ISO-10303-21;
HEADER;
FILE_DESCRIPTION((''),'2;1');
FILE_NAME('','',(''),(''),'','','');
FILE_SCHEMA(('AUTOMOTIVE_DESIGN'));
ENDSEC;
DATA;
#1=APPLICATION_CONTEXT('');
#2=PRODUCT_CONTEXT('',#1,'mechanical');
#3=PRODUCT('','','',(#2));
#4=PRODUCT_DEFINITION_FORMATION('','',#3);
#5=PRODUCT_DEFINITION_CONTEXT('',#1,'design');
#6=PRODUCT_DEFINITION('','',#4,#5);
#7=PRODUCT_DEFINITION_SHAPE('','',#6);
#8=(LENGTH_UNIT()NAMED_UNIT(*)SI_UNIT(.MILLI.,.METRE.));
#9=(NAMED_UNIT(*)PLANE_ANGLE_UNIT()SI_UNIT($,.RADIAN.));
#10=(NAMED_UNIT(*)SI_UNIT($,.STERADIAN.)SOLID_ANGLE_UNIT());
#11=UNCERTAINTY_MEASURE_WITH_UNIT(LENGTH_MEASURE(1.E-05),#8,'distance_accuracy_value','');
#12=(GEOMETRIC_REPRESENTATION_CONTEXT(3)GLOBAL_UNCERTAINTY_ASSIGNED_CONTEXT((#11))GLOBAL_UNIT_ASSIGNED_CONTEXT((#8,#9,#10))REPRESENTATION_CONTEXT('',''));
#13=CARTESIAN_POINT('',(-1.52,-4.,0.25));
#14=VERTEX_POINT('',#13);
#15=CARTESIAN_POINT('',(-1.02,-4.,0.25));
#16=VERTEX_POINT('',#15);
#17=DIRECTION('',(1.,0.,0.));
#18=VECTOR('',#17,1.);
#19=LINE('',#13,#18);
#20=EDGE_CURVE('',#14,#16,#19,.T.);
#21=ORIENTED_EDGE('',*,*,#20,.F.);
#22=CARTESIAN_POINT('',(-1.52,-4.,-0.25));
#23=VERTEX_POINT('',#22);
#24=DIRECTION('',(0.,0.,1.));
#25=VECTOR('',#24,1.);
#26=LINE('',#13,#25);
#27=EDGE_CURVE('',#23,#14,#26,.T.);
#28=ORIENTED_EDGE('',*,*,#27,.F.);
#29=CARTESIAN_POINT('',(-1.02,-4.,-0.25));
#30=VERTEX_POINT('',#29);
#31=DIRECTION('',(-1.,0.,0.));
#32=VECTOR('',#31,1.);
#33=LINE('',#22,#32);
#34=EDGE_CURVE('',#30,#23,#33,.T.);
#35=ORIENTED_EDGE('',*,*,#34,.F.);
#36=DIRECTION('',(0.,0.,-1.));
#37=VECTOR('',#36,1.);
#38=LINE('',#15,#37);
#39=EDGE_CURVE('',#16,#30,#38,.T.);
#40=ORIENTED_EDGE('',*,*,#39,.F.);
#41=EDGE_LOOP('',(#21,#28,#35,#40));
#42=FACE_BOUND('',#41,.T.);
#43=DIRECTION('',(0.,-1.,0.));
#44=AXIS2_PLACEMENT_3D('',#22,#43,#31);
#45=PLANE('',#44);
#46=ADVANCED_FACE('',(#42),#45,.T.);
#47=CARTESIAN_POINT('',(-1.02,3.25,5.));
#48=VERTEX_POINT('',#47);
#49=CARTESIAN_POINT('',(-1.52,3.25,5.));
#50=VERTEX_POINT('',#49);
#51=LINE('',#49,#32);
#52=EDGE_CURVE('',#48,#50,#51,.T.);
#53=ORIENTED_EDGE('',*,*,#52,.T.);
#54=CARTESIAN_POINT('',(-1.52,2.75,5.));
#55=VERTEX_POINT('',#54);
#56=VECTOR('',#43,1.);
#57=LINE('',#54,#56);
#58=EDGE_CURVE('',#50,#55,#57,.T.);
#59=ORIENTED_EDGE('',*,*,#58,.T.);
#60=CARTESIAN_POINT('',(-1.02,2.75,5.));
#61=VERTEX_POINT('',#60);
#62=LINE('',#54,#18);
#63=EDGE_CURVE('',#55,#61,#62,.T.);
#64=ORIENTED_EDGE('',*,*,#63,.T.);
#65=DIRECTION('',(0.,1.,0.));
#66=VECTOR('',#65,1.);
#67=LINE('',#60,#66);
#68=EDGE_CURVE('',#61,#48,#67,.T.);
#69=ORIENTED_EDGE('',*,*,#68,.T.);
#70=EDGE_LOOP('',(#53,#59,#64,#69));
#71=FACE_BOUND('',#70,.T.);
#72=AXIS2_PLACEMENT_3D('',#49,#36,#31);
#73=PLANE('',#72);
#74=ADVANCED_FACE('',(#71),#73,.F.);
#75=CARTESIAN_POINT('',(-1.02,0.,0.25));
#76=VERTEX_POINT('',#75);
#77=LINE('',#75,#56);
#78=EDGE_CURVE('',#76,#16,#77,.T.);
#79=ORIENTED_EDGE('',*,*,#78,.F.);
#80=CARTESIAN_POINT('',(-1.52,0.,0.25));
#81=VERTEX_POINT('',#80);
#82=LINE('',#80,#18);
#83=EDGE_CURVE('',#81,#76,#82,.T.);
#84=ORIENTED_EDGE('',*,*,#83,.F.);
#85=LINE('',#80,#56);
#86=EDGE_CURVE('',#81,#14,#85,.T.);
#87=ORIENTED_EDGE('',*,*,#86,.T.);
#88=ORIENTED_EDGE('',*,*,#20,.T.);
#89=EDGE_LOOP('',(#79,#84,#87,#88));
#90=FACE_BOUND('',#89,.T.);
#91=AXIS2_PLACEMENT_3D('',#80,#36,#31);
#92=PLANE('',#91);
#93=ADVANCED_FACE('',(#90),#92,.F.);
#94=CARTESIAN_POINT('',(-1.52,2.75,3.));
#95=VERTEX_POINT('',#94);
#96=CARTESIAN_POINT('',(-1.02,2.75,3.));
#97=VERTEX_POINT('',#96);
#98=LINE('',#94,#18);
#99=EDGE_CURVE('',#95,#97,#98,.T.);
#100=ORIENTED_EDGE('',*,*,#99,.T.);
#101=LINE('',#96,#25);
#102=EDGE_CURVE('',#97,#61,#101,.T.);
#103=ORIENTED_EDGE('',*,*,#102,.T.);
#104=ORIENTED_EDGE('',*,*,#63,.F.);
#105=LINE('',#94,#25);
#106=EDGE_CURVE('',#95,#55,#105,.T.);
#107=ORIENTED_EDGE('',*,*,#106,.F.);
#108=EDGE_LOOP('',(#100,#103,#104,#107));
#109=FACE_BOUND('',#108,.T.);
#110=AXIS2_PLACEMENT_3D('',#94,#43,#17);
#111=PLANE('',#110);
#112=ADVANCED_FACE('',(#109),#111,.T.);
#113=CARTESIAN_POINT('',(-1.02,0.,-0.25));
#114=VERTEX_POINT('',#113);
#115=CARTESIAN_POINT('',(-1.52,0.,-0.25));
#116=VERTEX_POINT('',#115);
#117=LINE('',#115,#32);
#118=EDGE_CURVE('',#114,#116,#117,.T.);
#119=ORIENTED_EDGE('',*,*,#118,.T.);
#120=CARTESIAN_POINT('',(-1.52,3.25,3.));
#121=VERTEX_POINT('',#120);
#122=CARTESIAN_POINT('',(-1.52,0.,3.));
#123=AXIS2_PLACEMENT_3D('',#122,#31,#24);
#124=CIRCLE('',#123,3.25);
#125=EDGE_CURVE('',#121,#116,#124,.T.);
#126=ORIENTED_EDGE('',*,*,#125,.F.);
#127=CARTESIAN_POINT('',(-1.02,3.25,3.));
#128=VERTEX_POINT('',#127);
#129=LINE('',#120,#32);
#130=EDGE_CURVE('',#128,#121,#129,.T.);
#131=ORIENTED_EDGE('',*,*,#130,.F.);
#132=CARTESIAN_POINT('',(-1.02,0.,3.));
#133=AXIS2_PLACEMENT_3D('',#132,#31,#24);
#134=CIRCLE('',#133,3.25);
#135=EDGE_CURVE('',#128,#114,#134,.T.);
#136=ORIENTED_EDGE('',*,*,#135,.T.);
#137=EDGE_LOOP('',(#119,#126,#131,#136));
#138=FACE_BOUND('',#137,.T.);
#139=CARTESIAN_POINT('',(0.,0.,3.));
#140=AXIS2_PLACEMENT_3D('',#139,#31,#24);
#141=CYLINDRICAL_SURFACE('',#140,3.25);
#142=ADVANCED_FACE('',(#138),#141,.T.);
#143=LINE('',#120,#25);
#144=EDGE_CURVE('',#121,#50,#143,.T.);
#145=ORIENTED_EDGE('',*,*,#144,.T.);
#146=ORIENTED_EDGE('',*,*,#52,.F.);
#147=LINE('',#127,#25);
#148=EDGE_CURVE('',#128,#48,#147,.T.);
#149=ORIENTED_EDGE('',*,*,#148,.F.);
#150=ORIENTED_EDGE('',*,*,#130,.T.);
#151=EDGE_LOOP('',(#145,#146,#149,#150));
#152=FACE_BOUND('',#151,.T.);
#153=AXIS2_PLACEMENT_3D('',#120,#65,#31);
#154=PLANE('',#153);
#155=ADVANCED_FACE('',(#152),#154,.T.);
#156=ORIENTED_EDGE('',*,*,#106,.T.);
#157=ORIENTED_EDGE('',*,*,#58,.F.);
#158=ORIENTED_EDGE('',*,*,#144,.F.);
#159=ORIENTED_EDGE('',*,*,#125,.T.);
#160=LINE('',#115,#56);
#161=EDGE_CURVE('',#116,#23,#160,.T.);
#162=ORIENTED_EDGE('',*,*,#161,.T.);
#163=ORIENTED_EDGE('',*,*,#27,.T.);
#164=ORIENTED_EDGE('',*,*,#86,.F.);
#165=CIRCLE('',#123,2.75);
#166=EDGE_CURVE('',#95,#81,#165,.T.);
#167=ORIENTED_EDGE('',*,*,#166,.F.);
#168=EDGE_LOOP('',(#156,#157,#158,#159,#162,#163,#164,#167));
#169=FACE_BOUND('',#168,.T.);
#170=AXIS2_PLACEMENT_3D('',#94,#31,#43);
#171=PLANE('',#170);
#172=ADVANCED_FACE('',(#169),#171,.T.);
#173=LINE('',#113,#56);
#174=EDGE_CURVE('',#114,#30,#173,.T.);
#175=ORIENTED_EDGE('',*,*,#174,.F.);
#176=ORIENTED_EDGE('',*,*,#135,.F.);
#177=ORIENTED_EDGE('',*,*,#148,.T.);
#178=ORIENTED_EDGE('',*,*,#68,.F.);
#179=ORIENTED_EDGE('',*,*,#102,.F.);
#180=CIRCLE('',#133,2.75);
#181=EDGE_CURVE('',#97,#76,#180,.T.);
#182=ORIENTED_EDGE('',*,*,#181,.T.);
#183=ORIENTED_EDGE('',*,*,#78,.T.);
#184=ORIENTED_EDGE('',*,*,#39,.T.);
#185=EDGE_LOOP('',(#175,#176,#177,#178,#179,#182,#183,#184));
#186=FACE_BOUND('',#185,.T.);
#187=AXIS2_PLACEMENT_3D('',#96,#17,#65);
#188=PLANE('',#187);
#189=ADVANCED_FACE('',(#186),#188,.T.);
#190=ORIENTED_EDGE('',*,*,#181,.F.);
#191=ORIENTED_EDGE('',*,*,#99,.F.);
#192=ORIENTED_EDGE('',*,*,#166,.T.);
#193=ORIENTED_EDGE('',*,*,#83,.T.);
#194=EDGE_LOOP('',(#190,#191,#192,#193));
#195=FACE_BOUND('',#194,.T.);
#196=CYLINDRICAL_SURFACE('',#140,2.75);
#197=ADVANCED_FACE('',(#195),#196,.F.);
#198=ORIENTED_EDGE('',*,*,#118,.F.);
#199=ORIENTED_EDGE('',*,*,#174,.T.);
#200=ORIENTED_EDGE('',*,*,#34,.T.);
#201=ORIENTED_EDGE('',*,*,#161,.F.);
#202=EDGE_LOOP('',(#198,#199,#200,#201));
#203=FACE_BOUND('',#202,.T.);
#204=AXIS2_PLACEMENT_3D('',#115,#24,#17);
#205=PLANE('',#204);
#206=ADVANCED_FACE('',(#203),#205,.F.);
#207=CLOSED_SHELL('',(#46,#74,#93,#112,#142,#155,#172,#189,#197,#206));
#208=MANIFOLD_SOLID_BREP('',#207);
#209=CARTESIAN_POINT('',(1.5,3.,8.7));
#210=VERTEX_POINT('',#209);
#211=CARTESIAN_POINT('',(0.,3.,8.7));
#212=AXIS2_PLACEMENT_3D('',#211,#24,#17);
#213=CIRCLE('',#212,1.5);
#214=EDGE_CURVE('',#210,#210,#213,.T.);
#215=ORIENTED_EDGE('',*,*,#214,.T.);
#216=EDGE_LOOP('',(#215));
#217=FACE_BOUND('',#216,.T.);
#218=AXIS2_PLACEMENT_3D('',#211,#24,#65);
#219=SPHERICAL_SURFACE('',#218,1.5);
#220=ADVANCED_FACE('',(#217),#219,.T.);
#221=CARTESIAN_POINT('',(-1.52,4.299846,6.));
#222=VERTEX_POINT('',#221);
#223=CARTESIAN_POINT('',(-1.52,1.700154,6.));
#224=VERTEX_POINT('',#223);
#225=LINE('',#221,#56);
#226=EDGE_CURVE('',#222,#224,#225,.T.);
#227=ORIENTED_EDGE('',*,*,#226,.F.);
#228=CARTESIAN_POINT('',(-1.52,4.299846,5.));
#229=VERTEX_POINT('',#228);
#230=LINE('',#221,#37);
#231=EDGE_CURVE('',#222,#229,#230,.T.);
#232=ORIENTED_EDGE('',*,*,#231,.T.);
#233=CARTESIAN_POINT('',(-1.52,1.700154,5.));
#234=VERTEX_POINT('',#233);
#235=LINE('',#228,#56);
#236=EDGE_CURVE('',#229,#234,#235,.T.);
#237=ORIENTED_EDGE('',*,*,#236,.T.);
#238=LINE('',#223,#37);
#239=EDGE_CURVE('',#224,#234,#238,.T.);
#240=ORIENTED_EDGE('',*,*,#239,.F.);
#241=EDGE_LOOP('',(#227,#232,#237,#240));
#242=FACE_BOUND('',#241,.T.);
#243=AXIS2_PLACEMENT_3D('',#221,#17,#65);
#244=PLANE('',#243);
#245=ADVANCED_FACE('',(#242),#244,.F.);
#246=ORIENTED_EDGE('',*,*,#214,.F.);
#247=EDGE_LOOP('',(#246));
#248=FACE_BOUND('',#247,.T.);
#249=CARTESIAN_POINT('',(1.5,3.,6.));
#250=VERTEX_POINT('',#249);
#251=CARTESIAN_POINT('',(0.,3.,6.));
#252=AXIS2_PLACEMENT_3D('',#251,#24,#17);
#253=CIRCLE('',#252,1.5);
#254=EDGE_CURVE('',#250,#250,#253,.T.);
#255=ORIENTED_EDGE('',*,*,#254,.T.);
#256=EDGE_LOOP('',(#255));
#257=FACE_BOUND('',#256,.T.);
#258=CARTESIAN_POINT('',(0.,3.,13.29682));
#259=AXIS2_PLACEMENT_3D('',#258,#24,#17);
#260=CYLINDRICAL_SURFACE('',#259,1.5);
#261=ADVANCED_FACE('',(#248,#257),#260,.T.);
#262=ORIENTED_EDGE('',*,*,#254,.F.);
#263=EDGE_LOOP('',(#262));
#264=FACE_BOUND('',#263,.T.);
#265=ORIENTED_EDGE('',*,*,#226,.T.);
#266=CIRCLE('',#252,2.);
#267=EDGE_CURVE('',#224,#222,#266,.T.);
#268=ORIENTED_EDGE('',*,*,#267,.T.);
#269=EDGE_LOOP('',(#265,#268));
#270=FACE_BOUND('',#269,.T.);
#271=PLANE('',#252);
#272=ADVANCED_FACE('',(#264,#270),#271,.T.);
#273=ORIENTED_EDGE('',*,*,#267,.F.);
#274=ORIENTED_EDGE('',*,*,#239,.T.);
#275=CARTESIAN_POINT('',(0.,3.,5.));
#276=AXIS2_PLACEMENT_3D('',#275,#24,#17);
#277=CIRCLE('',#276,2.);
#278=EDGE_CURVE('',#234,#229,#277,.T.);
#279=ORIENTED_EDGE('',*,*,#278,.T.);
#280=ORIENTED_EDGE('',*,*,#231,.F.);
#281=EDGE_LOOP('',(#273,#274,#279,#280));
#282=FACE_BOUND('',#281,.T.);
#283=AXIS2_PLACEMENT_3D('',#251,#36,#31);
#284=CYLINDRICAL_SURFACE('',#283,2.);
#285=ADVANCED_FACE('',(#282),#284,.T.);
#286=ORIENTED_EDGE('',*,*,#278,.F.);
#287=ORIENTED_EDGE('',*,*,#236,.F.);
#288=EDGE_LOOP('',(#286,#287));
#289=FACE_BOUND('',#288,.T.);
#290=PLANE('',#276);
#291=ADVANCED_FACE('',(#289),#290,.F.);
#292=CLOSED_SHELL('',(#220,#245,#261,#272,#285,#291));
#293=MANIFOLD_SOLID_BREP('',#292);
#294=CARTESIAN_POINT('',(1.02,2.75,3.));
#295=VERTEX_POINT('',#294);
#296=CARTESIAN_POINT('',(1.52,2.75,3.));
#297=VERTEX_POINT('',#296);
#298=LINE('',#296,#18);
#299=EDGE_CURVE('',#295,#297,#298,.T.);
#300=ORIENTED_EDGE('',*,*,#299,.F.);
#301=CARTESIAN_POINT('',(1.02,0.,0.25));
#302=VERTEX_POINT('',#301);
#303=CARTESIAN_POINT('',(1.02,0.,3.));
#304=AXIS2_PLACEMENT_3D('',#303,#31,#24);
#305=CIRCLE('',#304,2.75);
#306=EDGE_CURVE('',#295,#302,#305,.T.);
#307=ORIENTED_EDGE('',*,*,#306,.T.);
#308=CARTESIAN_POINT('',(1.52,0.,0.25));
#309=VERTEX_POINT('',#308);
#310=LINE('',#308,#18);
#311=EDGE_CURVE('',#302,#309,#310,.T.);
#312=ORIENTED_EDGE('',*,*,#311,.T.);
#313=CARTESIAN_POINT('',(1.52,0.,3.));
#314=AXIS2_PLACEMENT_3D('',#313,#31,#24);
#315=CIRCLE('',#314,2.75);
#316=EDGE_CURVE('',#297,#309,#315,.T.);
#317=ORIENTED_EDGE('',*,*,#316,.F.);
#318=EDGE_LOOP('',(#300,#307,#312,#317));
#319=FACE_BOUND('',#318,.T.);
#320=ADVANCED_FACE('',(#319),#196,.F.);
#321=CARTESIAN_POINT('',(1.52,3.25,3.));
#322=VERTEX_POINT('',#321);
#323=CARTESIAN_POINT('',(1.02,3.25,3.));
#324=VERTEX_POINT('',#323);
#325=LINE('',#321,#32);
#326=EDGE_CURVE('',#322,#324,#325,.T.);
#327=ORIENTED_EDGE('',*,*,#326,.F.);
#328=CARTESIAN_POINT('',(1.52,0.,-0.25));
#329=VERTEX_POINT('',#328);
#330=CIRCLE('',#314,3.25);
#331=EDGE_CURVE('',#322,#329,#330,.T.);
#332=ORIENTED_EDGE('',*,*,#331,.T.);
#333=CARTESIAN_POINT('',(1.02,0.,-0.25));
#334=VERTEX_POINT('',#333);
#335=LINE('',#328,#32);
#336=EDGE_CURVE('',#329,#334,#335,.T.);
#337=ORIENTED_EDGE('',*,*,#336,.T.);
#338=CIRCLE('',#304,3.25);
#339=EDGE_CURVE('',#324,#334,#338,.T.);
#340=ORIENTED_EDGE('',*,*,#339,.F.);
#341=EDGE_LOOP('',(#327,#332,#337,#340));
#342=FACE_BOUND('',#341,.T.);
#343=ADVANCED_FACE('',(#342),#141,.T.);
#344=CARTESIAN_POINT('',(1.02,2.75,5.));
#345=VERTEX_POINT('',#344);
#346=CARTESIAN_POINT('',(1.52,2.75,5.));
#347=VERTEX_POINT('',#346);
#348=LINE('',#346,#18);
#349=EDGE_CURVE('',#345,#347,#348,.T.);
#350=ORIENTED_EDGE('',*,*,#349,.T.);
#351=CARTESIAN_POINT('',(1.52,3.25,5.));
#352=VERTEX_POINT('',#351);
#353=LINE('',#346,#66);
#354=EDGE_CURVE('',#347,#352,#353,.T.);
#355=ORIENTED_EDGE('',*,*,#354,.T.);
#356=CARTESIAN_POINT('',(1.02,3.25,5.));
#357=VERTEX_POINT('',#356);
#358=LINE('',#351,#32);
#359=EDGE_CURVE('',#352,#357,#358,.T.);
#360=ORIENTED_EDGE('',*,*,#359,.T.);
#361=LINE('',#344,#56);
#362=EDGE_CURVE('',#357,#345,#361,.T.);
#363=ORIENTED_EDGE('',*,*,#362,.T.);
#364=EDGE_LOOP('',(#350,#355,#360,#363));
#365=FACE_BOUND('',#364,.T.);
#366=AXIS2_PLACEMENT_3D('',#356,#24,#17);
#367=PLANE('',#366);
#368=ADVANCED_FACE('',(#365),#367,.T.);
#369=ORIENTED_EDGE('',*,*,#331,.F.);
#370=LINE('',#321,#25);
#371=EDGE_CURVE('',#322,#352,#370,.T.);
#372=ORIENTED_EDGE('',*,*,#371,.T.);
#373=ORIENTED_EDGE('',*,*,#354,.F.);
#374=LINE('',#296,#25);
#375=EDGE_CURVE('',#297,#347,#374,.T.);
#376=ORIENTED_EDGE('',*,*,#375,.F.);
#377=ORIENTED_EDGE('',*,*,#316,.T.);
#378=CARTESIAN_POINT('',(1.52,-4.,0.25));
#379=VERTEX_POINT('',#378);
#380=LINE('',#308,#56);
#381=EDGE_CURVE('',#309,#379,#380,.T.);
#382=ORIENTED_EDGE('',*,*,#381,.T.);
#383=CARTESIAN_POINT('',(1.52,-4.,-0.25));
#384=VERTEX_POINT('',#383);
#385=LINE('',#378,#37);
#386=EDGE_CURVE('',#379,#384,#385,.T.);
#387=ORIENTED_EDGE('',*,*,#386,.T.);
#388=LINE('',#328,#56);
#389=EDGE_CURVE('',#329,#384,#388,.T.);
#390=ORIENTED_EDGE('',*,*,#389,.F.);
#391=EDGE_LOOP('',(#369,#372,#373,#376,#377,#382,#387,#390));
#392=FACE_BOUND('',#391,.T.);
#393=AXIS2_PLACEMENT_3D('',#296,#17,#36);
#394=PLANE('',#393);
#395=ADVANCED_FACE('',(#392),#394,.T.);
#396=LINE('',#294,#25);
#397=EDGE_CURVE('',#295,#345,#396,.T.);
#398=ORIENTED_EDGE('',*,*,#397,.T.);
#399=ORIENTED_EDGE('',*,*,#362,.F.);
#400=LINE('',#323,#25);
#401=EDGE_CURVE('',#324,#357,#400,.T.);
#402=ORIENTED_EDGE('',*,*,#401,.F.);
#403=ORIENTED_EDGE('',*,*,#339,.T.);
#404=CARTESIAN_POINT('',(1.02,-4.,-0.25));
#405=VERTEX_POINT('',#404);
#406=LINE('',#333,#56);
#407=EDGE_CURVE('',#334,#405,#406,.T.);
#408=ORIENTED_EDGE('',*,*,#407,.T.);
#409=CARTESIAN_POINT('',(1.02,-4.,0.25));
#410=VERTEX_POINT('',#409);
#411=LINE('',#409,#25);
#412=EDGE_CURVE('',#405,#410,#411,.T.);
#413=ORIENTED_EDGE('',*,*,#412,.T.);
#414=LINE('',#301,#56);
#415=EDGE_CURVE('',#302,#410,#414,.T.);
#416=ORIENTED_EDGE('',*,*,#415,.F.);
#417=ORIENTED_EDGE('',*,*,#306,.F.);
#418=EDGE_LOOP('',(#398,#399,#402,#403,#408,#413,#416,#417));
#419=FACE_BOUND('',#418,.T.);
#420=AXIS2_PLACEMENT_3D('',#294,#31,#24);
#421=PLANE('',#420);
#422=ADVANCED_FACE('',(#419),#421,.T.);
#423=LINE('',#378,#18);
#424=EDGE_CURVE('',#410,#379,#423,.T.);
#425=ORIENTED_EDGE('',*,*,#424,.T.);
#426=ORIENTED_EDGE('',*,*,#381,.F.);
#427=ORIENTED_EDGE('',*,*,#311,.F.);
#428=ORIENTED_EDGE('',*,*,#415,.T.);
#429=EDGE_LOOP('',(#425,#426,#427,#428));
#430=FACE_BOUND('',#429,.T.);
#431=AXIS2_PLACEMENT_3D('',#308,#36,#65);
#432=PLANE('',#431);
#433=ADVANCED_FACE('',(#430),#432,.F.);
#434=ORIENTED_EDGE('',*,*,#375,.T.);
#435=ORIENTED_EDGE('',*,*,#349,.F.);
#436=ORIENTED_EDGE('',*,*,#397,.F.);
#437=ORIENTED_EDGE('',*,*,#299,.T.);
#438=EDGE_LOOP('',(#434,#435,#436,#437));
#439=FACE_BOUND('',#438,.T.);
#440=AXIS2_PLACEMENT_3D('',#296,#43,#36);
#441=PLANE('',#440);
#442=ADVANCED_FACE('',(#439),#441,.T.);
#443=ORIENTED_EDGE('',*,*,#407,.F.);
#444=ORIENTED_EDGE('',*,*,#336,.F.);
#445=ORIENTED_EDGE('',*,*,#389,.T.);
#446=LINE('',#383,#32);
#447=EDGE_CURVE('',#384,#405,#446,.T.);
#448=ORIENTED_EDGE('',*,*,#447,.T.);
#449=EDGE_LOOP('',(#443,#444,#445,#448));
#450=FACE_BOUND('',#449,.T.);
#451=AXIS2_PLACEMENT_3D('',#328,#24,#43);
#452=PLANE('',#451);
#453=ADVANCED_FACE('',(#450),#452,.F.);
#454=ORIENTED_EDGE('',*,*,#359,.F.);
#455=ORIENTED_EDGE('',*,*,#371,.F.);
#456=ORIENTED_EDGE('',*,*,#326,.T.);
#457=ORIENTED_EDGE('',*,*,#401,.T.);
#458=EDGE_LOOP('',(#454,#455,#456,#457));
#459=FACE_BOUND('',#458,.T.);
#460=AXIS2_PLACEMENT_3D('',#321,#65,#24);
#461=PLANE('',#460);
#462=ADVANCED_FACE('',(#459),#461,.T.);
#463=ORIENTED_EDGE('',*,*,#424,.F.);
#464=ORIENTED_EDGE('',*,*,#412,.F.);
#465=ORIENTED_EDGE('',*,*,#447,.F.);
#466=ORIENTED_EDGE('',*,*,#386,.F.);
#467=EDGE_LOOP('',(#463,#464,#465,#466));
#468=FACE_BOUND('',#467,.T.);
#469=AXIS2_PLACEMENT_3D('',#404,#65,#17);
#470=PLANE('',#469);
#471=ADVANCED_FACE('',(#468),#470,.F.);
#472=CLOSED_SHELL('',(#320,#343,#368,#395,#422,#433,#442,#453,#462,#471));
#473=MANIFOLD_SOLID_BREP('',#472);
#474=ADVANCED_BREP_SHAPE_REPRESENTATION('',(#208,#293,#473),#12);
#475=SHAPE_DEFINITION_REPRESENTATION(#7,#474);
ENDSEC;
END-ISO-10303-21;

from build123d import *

# Parameters (mm, degrees)
EXTRUDE_START   = 5
EXTRUDE_2_DEPTH = 1
SKETCH_4_W      = 0.5
SKETCH_4_H      = 0.5


with BuildPart() as part:
    # Эскиз2 → Бобышка-Вытянуть2 (new body)
    with BuildSketch(Plane.XY.offset(EXTRUDE_START)):
        with BuildLine():
            Line((-1.52, 4.299846145), (-1.52, 1.700153855))
            ThreePointArc((-1.52, 1.700153855), (2, 3), (-1.52, 4.299846145))
        make_face()
    extrude(amount=EXTRUDE_2_DEPTH)

    # Эскиз3 → Повернуть1 (revolve)
    with BuildSketch(Plane(origin=(0, 0, 0), x_dir=(0, -1, 0), z_dir=(1, 0, 0)), mode=Mode.PRIVATE) as revolve_1_sk:
        with BuildLine():
            Line((-4.5, -6), (-4.5, -8.7))
            ThreePointArc((-4.5, -8.7), (-4.060660172, -9.760660172), (-3, -10.2))
            Line((-3, -10.2), (-3, -6))
            Line((-3, -6), (-4.5, -6))
        make_face()
    revolve(revolve_1_sk.sketch.rotate(Axis((0, 3, 13.296819565), (0, 0, -1)), 90), axis=Axis((0, 3, 13.296819565), (0, 0, -1)))


with BuildPart() as body_2:
    # По траектории2: sweep along a path in Эскиз5
    with BuildLine(Plane(origin=(0, 0, 0), x_dir=(0, 0, -1), z_dir=(1, 0, 0))) as sweep_2_path:
        Line((-5, 3), (-3, 3))
        ThreePointArc((-3, 3), (-0.878679656, 2.121320344), (0, 0))
        Line((0, 0), (0, -4))
    # Эскиз4 → По траектории2 (sweep)
    with BuildSketch(Plane.XY.offset(5)):
        with Locations((-1.27, 3)):
            Rectangle(SKETCH_4_W, SKETCH_4_H)
        with Locations((1.27, 3)):
            Rectangle(SKETCH_4_W, SKETCH_4_H)
    sweep(path=sweep_2_path.line)


solid = Compound([part.part, body_2.part])
